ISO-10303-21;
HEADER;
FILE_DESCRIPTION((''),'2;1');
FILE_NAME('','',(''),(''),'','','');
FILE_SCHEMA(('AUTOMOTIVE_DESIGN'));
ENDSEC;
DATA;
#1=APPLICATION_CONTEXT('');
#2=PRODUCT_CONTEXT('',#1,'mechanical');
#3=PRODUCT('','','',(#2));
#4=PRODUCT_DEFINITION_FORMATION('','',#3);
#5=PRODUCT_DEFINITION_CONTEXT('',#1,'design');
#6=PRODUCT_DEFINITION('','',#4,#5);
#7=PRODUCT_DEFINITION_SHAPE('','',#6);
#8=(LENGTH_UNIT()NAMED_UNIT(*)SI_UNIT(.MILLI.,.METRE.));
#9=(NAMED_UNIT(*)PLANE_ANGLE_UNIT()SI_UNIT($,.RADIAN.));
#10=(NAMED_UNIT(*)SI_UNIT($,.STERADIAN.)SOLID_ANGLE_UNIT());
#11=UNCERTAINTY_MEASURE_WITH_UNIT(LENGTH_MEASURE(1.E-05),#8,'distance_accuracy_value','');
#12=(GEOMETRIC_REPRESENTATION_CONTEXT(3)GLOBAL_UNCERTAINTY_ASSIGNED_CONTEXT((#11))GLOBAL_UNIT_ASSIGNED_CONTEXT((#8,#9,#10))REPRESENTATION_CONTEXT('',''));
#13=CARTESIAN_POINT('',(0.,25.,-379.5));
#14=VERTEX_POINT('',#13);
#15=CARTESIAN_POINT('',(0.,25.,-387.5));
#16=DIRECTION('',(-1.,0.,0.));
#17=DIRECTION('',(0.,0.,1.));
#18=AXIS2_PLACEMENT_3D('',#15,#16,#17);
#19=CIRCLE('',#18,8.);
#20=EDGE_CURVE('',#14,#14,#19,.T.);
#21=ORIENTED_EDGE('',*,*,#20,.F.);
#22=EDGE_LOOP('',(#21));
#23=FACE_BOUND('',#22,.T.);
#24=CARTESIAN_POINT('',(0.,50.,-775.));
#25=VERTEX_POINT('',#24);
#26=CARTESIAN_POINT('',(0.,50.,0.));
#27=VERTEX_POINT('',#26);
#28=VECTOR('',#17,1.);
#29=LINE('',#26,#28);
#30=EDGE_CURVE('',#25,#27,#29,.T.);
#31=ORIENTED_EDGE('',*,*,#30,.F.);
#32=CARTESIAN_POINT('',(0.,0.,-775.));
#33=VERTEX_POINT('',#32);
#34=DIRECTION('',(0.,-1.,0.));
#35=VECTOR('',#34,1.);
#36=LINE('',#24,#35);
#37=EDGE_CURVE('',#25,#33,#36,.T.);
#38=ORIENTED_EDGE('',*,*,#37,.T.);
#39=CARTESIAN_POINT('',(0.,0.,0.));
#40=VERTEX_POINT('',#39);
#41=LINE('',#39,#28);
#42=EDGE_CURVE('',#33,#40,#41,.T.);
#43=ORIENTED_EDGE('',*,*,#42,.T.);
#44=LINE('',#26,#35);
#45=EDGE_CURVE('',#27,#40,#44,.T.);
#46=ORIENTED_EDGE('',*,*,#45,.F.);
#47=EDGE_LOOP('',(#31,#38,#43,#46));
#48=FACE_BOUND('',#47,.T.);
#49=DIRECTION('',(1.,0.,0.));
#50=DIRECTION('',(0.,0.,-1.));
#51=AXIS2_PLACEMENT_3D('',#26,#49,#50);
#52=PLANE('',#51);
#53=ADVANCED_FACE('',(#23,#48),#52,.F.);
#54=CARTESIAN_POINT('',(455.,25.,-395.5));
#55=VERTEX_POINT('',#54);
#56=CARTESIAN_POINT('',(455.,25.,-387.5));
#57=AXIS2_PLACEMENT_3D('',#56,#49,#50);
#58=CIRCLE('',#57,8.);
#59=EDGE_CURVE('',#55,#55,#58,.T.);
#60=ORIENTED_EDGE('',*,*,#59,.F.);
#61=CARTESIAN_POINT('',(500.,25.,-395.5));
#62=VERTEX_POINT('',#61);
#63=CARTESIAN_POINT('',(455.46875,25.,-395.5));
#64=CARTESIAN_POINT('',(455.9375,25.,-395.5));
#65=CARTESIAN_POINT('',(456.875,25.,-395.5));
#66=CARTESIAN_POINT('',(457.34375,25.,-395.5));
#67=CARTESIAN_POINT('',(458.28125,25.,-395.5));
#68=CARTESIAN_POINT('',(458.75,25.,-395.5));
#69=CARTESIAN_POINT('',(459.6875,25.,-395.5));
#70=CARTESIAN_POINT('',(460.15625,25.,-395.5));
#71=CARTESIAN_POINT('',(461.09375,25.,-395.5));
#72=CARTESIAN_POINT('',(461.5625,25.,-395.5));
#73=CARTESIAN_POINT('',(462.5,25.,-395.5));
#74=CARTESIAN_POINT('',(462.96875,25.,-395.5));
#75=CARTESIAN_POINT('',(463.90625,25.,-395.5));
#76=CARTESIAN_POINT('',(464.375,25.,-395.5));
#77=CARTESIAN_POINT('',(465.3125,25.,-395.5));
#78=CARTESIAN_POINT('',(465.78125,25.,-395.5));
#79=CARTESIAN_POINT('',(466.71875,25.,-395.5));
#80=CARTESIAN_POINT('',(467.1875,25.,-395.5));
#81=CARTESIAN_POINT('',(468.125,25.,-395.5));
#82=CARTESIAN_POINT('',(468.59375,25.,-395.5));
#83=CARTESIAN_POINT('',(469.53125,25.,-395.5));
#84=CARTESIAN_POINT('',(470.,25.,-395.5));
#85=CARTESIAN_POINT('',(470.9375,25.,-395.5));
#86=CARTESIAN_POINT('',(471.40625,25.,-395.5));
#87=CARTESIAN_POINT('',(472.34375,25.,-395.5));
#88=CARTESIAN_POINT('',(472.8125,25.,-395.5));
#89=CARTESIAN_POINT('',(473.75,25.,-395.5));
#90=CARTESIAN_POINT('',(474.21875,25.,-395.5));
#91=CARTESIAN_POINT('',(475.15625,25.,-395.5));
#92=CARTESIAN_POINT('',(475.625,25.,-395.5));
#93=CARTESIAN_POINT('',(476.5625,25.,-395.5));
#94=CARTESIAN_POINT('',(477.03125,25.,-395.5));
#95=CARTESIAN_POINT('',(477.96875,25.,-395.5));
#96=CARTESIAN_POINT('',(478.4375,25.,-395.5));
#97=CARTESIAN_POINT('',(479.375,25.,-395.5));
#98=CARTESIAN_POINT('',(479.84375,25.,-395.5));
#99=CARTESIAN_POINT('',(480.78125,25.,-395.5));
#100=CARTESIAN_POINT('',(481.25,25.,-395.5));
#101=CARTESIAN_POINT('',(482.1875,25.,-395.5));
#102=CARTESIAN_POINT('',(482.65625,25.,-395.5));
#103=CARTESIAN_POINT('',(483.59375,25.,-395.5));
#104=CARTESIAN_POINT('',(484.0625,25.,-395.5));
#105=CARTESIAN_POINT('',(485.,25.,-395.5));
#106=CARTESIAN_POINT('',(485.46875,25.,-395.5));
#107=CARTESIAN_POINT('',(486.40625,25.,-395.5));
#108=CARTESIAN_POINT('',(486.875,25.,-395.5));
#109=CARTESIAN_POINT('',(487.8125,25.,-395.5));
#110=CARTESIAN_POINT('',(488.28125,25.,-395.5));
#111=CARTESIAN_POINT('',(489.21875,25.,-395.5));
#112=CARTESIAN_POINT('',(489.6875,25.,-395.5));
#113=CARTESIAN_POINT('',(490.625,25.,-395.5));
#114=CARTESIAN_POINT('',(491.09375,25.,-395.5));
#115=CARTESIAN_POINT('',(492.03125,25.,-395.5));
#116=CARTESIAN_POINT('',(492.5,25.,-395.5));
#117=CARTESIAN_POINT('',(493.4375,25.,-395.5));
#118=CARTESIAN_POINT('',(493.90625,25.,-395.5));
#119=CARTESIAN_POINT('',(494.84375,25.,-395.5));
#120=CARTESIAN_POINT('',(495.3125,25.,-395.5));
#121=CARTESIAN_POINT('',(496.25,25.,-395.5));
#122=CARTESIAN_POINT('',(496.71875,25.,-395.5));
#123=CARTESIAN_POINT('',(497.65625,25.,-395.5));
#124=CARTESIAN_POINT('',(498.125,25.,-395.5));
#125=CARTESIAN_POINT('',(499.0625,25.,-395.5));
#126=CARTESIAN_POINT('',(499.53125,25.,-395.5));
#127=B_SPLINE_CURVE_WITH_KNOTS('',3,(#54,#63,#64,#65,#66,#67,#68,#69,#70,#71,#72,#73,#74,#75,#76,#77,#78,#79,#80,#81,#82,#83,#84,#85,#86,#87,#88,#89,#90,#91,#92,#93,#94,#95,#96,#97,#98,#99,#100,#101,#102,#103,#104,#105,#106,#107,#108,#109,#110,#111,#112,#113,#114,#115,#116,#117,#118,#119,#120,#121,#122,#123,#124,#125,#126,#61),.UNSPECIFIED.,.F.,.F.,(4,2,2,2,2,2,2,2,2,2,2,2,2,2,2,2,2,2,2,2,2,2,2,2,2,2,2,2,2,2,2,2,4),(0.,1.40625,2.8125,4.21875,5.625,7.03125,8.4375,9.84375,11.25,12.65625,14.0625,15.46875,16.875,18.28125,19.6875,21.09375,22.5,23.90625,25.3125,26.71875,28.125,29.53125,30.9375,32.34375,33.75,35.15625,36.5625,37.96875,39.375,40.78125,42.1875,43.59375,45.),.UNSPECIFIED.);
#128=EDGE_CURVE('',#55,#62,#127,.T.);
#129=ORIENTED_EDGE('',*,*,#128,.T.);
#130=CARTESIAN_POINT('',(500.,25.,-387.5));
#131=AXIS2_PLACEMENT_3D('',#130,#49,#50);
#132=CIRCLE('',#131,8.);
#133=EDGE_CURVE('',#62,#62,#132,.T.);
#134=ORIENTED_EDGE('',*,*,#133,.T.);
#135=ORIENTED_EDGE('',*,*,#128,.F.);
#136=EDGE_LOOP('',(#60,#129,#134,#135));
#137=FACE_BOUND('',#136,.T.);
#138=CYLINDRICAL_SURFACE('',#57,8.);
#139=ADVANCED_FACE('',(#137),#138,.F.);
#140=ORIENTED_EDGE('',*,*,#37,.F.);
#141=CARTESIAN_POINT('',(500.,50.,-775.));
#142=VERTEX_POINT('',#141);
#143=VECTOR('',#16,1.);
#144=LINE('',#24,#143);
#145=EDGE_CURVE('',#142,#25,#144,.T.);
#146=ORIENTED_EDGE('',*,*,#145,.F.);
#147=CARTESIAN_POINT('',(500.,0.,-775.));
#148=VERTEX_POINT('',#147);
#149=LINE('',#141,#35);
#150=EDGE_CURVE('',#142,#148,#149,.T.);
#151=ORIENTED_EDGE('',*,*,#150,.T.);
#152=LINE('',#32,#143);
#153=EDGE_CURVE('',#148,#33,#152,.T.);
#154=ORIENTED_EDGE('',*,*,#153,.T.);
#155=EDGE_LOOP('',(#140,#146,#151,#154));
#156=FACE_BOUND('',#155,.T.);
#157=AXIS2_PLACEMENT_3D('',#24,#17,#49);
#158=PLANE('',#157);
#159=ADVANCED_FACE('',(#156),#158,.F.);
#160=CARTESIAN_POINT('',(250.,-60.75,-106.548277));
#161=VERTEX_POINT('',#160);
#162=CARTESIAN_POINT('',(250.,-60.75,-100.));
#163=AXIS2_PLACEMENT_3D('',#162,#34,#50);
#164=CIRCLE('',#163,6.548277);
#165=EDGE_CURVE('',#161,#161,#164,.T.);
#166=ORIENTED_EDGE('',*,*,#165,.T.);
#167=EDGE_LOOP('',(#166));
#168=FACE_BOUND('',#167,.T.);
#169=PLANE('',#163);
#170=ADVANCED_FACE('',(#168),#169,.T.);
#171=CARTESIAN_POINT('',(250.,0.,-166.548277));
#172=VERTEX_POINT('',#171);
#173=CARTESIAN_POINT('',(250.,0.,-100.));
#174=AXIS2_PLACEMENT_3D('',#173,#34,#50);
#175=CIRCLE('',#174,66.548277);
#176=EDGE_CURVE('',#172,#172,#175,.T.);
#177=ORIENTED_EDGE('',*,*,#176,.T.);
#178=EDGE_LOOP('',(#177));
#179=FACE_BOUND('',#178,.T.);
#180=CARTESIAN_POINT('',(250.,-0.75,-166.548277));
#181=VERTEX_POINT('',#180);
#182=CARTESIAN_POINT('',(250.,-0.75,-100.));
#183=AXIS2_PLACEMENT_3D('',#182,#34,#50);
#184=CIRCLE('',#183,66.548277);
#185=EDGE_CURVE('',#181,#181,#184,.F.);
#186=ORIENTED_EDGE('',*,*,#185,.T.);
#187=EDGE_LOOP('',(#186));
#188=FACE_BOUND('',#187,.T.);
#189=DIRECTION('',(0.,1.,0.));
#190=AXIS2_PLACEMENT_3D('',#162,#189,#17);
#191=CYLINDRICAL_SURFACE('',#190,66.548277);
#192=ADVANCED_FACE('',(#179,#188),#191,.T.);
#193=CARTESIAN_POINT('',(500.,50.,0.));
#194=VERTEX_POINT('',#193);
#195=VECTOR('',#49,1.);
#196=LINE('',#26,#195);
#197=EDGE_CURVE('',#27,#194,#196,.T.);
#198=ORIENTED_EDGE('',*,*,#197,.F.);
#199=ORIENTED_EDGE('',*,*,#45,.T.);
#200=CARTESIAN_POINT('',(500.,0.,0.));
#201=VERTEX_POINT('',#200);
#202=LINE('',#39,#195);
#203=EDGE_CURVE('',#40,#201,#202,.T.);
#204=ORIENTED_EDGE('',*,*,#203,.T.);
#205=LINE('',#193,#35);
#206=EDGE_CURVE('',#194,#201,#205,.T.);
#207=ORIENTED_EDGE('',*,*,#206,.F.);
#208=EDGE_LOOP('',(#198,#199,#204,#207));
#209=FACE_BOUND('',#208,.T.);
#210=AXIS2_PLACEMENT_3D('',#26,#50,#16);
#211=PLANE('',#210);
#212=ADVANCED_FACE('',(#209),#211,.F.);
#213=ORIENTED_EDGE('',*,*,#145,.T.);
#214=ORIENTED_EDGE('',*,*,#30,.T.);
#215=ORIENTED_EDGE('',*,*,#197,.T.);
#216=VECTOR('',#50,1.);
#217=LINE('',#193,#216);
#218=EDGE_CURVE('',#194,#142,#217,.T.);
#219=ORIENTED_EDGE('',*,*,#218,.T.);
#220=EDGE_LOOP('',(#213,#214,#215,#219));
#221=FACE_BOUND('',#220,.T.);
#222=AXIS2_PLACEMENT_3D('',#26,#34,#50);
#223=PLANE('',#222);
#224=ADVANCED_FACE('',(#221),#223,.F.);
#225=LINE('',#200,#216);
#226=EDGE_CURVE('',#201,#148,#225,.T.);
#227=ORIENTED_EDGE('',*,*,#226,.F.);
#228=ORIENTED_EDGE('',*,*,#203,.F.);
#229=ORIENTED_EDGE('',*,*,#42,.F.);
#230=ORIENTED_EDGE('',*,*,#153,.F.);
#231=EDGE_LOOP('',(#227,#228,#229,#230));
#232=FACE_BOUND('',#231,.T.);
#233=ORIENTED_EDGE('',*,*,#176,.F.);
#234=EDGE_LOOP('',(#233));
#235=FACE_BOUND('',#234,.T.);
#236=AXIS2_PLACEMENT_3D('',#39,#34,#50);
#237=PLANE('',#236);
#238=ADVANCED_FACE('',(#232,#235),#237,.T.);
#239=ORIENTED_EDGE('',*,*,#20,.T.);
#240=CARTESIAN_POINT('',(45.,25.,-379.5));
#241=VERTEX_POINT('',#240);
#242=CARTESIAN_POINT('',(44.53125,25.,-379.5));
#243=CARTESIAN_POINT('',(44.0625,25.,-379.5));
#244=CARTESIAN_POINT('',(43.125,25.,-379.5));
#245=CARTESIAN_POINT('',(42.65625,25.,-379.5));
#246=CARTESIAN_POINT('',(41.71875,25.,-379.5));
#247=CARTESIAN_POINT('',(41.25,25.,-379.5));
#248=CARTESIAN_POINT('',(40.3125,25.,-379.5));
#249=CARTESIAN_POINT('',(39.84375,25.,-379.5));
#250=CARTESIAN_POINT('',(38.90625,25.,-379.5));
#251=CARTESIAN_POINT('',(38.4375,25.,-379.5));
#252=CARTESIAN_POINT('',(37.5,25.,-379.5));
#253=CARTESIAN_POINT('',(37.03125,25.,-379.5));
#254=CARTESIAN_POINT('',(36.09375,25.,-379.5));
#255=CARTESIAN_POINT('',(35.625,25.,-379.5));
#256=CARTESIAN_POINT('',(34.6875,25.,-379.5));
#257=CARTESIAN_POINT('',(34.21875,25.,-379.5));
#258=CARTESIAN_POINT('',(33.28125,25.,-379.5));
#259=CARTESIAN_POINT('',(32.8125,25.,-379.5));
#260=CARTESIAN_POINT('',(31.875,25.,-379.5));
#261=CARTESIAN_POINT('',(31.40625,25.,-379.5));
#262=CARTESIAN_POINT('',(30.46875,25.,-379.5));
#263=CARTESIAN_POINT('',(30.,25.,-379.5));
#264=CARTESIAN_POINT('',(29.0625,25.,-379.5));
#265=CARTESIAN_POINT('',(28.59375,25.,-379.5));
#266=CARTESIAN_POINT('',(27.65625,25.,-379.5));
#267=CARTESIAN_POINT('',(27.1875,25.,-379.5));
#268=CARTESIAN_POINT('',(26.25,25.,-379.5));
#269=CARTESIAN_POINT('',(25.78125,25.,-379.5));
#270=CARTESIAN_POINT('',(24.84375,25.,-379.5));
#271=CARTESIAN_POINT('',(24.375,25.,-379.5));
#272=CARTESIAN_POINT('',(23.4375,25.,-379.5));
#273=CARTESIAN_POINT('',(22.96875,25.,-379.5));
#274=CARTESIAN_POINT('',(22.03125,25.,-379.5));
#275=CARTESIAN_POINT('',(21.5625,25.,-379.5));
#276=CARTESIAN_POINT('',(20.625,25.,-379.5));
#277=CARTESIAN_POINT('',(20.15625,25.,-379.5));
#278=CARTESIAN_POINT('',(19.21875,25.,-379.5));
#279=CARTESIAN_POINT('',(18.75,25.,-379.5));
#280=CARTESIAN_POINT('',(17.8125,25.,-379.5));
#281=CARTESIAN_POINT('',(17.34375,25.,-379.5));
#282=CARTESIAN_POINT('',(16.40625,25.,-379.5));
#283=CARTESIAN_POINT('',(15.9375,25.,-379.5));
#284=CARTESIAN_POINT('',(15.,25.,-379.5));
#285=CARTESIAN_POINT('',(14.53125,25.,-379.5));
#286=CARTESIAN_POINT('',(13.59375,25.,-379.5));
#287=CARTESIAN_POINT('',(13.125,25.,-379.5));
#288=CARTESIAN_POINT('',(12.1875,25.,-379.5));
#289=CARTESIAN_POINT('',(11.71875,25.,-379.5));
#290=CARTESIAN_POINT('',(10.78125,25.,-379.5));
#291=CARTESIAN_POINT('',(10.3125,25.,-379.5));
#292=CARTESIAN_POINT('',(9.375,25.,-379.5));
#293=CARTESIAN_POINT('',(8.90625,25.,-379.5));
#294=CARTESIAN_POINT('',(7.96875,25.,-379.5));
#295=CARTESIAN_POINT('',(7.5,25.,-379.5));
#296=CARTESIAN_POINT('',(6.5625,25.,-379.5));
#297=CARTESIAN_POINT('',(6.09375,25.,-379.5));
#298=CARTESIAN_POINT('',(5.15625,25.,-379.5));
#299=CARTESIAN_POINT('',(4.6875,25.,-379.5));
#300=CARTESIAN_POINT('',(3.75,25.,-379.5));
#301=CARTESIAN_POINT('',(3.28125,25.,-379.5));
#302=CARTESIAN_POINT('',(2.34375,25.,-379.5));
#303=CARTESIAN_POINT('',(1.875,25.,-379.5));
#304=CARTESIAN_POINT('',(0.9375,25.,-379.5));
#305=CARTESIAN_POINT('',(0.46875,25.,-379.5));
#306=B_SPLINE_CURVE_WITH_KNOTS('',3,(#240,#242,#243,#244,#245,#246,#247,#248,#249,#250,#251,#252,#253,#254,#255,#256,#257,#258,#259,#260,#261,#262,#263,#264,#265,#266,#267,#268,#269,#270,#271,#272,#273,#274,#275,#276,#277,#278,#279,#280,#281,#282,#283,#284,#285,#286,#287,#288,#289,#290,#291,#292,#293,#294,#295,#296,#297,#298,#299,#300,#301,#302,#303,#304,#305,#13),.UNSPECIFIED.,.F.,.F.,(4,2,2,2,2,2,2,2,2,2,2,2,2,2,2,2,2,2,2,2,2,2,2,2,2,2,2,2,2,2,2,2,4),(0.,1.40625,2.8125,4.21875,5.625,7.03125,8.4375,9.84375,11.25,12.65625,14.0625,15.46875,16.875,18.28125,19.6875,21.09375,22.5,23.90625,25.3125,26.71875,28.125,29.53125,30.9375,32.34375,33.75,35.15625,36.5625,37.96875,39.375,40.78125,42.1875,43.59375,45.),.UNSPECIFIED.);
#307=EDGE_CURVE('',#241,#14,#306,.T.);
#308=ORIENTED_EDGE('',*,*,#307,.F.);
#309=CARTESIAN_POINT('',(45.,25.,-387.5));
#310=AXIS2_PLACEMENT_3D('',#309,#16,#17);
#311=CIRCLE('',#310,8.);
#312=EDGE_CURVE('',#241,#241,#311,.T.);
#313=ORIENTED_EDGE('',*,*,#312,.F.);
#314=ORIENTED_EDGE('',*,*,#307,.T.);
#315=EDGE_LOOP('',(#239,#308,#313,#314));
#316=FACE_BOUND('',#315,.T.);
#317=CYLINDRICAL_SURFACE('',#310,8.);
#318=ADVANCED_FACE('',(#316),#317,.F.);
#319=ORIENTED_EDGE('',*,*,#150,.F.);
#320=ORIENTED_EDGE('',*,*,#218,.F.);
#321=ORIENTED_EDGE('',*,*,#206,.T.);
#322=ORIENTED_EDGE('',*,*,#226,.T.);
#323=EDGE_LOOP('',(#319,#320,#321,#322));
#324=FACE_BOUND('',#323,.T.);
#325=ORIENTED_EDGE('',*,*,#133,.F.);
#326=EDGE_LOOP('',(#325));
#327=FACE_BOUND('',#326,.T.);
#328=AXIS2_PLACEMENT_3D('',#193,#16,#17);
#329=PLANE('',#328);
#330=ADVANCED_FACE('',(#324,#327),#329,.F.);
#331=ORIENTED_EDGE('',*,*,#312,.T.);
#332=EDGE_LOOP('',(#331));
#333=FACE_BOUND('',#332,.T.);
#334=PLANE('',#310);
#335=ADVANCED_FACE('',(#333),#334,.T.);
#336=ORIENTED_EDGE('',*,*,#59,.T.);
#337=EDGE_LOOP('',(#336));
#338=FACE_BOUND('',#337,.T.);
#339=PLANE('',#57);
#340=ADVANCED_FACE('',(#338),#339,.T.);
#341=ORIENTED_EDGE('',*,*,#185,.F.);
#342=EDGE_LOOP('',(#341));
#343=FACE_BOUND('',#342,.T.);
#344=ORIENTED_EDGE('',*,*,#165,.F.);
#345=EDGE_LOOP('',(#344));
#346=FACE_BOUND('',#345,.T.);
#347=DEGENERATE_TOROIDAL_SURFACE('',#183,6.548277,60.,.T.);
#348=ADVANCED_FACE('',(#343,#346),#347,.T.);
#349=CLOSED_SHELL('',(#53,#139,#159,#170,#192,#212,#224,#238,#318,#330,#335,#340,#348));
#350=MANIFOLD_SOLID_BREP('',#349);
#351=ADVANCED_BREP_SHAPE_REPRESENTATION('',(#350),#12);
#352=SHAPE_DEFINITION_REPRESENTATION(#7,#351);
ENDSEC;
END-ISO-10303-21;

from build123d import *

# Parameters (mm, degrees)
SKETCH1_W           = 500
SKETCH1_H           = 775
BOSS_EXTRUDE1_DEPTH = 50
SKETCH2_R           = 8
CUT_EXTRUDE1_DEPTH  = 45
CUT_EXTRUDE2_START  = -45
SKETCH3_R           = 8
CUT_EXTRUDE2_DEPTH  = 45
SKETCH4_R           = 66.548277476
BOSS_EXTRUDE2_DEPTH = 60.75
FILLET1_R           = 60


with BuildPart() as part:
    # Sketch1 → Boss-Extrude1 (new body)
    with BuildSketch(Plane(origin=(0, 0, 0), x_dir=(1, 0, 0), z_dir=(0, 1, 0))):
        with Locations((250, 387.5)):
            Rectangle(SKETCH1_W, SKETCH1_H)
    extrude(amount=BOSS_EXTRUDE1_DEPTH)

    # Sketch2 → Cut-Extrude1 (cut)
    with BuildSketch(Plane(origin=(500, 0, 0), x_dir=(0, 0, -1), z_dir=(1, 0, 0))):
        with Locations((387.5, 25)):
            Circle(SKETCH2_R)
    extrude(amount=-CUT_EXTRUDE1_DEPTH, mode=Mode.SUBTRACT)

    # Sketch3 → Cut-Extrude2 (cut)
    with BuildSketch(Plane.ZY.offset(CUT_EXTRUDE2_START)):
        with Locations(Location((-387.5, 25, 0), (0, 0, 180))):
            Circle(SKETCH3_R)
    extrude(amount=CUT_EXTRUDE2_DEPTH, mode=Mode.SUBTRACT)

    # Sketch4 → Boss-Extrude2 (add)
    with BuildSketch(Plane(origin=(0, 0, 0), x_dir=(-1, 0, 0), z_dir=(0, -1, 0))):
        with Locations(Location((-250, 100, 0), (0, 0, 90))):
            Circle(SKETCH4_R)
    extrude(amount=BOSS_EXTRUDE2_DEPTH)

    # Fillet1
    fillet1_edges = [part.edges().sort_by_distance(p)[0] for p in [
        (250, -60.75, -33.451722524),
    ]]
    fillet(fillet1_edges, radius=FILLET1_R)


solid = part.part
